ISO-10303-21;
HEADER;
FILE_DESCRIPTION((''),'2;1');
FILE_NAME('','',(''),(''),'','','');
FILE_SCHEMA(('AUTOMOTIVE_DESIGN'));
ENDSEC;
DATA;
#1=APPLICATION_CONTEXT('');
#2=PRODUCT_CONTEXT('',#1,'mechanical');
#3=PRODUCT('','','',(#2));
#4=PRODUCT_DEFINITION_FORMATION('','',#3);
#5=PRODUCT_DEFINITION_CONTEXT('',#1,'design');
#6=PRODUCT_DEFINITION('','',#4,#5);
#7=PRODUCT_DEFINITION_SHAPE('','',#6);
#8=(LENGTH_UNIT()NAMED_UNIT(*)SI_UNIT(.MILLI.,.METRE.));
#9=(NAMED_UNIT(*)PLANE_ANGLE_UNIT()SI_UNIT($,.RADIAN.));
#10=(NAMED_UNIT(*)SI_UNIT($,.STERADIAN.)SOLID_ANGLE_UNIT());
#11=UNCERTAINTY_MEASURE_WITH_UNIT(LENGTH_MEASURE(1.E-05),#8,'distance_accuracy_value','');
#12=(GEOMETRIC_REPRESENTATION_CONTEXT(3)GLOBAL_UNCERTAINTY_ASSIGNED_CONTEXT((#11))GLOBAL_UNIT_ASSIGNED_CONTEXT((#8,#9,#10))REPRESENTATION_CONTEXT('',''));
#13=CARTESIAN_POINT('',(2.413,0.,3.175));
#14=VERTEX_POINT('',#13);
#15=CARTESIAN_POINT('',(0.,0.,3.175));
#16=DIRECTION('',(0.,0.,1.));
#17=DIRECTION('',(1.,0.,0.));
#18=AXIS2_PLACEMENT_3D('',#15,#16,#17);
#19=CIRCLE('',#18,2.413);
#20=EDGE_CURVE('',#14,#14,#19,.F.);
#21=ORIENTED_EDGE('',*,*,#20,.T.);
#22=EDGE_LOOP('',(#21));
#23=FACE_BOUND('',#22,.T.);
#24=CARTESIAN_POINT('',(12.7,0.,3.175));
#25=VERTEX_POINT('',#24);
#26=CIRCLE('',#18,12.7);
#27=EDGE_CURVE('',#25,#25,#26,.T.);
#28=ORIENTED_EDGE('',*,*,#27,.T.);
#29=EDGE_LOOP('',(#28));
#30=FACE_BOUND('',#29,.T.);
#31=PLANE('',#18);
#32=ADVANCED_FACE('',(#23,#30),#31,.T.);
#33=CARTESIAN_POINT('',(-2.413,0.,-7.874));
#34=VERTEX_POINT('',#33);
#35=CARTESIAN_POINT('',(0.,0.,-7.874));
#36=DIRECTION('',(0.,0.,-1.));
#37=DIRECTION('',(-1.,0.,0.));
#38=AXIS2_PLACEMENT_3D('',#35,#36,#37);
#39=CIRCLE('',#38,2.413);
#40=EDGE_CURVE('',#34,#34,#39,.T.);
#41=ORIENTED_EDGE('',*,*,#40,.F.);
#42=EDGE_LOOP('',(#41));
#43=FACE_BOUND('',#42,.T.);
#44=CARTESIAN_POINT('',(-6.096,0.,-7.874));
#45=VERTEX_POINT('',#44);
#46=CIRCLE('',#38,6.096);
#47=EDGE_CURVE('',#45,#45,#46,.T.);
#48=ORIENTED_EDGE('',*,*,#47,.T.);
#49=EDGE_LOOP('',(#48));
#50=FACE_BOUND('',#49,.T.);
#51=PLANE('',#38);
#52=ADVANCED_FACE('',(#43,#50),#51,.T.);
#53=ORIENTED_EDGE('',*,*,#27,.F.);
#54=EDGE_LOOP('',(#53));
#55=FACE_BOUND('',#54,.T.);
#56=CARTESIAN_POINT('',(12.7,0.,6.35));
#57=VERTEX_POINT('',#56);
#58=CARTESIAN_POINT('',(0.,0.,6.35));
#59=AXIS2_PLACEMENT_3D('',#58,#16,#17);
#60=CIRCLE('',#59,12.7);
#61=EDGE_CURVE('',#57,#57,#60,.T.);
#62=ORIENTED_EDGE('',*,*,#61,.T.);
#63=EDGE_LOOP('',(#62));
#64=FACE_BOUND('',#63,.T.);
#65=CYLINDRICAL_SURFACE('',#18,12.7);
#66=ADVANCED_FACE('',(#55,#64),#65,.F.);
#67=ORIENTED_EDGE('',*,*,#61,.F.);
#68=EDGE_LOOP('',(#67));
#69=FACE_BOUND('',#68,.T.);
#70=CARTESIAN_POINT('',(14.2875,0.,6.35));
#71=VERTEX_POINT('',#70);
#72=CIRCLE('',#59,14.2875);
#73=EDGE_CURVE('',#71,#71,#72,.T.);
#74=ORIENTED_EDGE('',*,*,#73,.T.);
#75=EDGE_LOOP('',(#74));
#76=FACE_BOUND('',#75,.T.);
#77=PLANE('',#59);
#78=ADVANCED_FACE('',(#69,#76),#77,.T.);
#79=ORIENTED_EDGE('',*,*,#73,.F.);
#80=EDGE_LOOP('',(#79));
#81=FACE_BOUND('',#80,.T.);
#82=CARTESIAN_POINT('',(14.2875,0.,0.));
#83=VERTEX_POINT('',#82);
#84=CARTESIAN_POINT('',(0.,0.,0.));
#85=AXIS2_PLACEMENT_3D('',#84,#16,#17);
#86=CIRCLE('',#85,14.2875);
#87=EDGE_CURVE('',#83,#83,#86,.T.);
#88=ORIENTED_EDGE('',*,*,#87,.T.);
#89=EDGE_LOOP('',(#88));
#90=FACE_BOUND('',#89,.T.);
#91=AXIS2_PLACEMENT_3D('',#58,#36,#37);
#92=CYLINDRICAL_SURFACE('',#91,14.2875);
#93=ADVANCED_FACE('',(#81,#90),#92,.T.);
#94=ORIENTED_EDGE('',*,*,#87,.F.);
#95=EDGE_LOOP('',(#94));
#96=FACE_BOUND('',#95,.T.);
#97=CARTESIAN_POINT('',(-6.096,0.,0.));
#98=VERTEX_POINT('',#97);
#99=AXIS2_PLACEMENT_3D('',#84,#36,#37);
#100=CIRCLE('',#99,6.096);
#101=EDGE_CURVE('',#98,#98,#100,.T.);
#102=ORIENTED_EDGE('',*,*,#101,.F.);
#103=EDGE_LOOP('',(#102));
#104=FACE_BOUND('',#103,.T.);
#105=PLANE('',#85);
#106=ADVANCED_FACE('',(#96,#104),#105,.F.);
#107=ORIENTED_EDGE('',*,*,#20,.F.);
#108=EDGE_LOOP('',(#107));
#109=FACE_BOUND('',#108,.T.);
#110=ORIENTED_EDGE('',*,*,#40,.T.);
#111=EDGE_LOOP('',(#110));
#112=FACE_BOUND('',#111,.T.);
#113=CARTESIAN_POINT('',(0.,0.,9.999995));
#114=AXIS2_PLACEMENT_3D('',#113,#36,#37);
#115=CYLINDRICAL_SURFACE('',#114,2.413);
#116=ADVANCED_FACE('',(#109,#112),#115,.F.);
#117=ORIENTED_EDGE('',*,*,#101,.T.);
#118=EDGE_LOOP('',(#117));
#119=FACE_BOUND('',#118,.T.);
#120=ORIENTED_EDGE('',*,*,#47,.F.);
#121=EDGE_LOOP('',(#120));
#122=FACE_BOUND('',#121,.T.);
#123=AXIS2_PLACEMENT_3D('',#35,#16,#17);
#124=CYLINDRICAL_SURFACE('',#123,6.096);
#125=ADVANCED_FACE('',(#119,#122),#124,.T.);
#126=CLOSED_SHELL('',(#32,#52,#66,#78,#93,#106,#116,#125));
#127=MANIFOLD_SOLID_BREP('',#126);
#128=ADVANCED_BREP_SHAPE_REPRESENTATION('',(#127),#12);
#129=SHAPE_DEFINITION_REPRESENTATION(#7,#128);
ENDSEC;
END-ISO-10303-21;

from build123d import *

# Parameters (mm, degrees)
SKETCH1_R           = 14.2875
BOSS_EXTRUDE1_DEPTH = 6.35
SKETCH2_R           = 12.7
CUT_EXTRUDE1_DEPTH  = 3.175
SKETCH3_R           = 6.096
BOSS_EXTRUDE2_DEPTH = 7.874
SKETCH4_R           = 2.413
CUT_EXTRUDE2_DEPTH  = 11.049


with BuildPart() as part:
    # Sketch1 → Boss-Extrude1 (new body)
    with BuildSketch(Plane.XY):
        Circle(SKETCH1_R)
    extrude(amount=BOSS_EXTRUDE1_DEPTH)

    # Sketch2 → Cut-Extrude1 (cut)
    with BuildSketch(Plane.XY.offset(6.35)):
        Circle(SKETCH2_R)
    extrude(amount=-CUT_EXTRUDE1_DEPTH, mode=Mode.SUBTRACT)

    # Sketch3 → Boss-Extrude2 (add)
    with BuildSketch(Plane(origin=(0, 0, 0), x_dir=(-1, 0, 0), z_dir=(0, 0, -1))):
        Circle(SKETCH3_R)
    extrude(amount=BOSS_EXTRUDE2_DEPTH)

    # Sketch4 → Cut-Extrude2 (cut)
    with BuildSketch(Plane(origin=(0, 0, -7.874), x_dir=(-1, 0, 0), z_dir=(0, 0, -1))):
        Circle(SKETCH4_R)
    extrude(amount=-CUT_EXTRUDE2_DEPTH, mode=Mode.SUBTRACT)


solid = part.part
